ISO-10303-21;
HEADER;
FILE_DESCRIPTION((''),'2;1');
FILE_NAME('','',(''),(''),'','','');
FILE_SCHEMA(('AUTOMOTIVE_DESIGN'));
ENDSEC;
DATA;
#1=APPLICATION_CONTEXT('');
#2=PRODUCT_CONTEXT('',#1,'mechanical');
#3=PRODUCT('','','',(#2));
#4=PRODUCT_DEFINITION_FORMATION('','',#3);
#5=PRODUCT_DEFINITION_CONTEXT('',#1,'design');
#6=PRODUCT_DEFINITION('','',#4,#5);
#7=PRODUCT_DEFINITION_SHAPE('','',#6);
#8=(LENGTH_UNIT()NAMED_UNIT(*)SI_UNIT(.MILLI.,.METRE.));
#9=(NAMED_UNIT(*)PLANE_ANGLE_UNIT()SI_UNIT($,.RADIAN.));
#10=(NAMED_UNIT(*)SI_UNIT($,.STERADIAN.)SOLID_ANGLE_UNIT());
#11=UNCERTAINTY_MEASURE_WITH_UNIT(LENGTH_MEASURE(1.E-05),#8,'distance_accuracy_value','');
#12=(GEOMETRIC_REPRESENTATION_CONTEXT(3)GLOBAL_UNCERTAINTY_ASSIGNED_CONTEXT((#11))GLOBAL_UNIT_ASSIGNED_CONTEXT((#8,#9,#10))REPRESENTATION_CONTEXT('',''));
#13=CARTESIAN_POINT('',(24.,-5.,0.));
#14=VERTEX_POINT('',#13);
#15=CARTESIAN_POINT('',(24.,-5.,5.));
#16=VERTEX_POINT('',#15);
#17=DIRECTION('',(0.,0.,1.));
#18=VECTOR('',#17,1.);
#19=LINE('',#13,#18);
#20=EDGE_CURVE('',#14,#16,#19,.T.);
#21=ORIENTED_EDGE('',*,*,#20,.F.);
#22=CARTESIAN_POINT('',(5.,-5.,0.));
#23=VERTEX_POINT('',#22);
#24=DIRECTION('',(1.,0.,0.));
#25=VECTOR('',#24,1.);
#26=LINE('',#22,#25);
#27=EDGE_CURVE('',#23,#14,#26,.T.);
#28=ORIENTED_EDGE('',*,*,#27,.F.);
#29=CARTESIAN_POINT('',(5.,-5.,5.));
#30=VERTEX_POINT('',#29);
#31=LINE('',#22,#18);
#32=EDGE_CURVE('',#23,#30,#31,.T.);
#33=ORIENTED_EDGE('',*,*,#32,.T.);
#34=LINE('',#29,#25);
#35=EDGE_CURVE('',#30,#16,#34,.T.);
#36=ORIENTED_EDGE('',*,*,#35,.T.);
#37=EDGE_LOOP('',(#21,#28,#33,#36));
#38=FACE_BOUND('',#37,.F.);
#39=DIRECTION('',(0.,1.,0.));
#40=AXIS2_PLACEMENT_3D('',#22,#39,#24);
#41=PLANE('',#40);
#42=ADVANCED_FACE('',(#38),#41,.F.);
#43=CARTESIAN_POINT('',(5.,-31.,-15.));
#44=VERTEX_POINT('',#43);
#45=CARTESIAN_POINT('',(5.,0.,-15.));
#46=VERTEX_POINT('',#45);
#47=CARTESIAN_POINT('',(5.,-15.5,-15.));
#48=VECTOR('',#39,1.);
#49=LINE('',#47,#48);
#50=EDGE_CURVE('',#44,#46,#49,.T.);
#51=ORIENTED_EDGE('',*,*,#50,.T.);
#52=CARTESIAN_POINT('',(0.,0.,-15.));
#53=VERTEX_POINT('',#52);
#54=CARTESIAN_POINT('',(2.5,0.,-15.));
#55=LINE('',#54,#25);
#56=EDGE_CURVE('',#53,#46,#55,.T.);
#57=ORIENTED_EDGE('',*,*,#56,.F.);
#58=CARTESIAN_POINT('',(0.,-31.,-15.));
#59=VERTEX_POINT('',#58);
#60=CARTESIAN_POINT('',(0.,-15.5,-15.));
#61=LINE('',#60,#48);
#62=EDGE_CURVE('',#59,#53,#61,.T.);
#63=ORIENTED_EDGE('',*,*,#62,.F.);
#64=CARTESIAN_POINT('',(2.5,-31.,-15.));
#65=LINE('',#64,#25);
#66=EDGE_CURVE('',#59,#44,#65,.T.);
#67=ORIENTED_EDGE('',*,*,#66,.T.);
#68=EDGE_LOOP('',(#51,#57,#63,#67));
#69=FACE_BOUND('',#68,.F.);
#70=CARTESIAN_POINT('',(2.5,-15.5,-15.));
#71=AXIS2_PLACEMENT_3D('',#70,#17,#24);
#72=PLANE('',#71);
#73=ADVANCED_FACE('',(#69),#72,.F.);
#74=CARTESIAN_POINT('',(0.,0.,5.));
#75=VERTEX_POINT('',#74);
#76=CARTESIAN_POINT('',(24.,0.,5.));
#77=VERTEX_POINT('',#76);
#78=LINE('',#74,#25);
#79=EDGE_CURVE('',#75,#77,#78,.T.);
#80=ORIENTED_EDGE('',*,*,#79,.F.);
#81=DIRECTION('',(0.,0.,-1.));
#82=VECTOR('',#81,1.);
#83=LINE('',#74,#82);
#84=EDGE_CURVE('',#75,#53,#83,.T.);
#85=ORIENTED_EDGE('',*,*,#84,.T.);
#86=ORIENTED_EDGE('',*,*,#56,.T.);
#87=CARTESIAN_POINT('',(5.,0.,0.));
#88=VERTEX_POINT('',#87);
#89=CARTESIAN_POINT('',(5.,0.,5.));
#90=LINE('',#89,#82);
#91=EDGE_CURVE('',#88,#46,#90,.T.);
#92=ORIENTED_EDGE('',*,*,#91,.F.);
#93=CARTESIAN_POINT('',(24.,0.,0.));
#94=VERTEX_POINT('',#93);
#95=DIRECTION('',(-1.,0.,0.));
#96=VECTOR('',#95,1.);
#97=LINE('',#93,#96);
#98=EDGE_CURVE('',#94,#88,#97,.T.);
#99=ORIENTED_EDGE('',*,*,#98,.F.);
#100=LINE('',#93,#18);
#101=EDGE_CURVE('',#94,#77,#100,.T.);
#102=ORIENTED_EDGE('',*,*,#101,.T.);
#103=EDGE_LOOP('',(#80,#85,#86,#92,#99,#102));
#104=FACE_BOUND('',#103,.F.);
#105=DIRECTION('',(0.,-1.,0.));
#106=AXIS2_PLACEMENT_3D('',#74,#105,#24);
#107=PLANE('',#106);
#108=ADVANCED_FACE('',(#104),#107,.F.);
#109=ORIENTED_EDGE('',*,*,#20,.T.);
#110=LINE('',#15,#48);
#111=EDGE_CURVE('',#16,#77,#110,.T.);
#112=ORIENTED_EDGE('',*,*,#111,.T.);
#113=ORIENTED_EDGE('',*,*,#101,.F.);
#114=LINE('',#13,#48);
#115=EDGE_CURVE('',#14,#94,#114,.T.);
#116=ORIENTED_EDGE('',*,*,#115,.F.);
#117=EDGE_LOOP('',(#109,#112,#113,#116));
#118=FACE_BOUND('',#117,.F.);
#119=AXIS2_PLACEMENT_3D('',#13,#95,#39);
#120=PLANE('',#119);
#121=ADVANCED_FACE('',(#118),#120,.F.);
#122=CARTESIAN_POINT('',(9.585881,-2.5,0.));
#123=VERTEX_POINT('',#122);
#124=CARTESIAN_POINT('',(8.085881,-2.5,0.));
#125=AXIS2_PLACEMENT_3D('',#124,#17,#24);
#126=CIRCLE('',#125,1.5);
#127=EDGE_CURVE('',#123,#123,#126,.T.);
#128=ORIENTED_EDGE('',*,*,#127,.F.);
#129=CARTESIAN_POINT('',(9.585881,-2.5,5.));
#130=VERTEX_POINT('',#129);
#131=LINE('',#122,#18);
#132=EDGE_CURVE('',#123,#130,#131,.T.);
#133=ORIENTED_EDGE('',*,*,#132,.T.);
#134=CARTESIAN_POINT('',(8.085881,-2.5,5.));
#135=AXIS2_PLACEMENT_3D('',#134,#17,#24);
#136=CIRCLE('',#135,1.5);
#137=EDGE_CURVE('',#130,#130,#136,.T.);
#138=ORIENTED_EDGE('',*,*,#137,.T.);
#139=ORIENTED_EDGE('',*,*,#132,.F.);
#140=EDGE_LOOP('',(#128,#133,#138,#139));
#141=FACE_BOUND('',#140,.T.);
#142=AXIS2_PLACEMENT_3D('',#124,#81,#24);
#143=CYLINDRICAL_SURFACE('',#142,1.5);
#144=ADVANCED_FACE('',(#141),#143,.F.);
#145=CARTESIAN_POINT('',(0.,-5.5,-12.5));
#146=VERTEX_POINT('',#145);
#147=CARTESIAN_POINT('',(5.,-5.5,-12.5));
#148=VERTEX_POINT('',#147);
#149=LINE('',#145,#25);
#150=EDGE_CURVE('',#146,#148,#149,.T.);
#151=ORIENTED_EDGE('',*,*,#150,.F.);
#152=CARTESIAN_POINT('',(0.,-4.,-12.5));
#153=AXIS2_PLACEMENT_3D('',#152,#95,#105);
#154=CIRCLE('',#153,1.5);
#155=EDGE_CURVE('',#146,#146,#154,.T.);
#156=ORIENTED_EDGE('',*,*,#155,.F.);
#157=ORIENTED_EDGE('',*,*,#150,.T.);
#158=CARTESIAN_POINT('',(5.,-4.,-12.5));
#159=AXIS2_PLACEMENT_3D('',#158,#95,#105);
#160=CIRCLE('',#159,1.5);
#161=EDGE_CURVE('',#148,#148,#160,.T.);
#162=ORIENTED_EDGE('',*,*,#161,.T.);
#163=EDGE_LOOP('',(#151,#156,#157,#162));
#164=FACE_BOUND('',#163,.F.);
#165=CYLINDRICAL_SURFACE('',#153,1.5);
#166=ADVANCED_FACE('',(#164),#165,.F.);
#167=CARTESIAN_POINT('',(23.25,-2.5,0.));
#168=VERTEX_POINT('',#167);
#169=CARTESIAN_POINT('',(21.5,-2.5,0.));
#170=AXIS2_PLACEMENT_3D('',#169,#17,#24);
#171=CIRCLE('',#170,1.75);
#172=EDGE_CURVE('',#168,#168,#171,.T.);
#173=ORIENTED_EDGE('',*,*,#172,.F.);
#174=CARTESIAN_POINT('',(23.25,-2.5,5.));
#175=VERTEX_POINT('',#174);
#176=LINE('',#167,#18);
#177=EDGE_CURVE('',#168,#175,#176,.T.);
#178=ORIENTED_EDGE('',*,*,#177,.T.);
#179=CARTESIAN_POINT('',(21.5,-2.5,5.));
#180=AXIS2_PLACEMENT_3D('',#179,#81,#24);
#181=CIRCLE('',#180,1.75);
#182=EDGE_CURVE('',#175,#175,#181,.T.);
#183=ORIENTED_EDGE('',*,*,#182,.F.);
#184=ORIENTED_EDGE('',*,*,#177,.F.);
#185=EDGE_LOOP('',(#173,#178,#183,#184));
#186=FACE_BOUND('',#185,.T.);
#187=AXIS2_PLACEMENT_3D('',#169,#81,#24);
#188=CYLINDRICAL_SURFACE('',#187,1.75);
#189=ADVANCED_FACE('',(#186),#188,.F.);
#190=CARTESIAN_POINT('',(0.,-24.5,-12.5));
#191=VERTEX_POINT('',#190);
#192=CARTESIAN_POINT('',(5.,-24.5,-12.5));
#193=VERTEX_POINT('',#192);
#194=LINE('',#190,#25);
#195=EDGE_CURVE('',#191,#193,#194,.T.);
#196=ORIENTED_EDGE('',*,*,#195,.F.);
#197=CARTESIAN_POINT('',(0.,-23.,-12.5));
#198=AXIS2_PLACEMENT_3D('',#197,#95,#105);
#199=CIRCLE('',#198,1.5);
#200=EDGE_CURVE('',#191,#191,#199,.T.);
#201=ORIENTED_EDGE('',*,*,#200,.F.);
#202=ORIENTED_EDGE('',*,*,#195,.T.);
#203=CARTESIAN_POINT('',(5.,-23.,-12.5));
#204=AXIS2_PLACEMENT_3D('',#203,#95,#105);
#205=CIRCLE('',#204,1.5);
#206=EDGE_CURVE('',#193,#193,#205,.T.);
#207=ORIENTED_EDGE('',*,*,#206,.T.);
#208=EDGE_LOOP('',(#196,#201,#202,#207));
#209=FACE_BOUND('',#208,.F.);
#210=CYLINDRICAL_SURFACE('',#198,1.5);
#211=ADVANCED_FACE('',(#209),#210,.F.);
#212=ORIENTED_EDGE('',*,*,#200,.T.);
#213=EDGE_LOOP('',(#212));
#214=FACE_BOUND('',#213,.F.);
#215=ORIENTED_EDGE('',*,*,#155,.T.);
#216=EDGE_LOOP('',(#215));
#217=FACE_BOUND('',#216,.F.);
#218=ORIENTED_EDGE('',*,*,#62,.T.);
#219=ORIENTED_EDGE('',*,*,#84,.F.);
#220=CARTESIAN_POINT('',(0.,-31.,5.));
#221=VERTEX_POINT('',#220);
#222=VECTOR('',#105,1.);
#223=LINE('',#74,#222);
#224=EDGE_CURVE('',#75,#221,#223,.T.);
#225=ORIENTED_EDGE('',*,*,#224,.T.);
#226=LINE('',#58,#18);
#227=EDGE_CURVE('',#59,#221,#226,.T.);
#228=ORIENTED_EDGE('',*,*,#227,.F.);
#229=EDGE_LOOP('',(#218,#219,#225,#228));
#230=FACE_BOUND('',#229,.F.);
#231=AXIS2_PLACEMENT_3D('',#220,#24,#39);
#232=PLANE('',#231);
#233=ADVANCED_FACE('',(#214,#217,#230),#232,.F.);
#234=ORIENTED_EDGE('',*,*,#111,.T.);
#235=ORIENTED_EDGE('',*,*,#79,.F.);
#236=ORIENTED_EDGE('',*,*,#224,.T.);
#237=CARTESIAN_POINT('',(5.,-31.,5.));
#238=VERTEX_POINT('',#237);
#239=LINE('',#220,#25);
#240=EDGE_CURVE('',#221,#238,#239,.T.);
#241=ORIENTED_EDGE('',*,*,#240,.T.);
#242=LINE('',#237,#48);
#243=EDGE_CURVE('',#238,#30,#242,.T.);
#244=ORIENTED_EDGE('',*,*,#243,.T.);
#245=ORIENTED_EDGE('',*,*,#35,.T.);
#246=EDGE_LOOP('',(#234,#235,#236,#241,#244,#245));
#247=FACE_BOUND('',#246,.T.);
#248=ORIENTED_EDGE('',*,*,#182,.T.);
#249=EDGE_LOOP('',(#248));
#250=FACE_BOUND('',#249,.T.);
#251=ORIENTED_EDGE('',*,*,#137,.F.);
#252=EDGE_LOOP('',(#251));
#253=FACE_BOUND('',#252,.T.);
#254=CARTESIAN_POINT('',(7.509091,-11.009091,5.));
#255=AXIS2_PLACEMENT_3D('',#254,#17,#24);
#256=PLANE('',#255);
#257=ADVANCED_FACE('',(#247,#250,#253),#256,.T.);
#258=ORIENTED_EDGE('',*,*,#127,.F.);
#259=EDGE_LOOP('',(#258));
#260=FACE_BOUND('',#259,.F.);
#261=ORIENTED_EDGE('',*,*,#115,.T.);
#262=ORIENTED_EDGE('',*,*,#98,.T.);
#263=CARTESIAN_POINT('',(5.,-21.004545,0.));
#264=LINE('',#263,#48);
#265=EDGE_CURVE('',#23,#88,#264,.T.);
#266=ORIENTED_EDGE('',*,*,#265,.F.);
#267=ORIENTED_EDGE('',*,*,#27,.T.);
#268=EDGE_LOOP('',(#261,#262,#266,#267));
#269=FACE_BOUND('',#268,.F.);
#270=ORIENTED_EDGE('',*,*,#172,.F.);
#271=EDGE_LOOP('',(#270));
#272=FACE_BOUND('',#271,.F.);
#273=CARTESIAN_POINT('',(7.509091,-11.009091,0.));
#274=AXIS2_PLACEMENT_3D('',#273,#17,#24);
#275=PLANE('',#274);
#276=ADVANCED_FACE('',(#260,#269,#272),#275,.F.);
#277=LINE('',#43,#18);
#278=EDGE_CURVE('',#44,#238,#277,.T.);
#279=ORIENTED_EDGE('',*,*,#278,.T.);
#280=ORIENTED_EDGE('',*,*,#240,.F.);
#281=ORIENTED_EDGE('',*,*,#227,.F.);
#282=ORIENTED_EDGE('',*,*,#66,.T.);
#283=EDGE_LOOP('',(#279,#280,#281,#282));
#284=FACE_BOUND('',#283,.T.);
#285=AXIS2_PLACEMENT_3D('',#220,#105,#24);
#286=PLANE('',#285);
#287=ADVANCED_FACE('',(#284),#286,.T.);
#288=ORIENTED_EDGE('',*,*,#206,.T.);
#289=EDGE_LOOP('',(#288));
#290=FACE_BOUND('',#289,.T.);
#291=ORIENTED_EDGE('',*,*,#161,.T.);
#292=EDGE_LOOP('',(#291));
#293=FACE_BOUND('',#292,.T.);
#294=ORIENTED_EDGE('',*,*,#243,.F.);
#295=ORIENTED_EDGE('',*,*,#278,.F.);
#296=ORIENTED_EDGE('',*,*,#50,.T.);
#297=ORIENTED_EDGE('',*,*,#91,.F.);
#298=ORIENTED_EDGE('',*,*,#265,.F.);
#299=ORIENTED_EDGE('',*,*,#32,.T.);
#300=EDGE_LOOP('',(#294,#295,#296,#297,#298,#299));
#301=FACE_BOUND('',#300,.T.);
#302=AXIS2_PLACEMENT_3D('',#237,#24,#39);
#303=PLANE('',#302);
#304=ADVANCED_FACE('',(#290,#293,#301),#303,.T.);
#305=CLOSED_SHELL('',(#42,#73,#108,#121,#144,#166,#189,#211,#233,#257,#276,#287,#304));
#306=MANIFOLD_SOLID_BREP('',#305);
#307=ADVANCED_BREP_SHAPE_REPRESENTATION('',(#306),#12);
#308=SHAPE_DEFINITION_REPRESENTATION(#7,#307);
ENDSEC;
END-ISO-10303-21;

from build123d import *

# Parameters (mm, degrees)
F0_R     = 1.5
F1_DEPTH = 5
F2_R     = 1.75
F4_DEPTH = 7
F3_W     = 5
F3_H     = 31
F5_DEPTH = 20
F6_R     = 1.5
F7_DEPTH = 25


with BuildPart() as f1:
    # F0 (on Top) → F1 (new body)
    with BuildSketch(Plane.XY):
        Polygon((24, 0), (0, 0), (0, -31), (5, -31), (5, -5), (24, -5), align=None)
        with Locations((8.085881, -2.5)):
            Circle(F0_R, mode=Mode.SUBTRACT)
    extrude(amount=F1_DEPTH)

    # F2 (on Top) → F4 (cut)
    with BuildSketch(Plane.XY):
        with Locations((21.5, -2.5)):
            Circle(F2_R)
    extrude(amount=F4_DEPTH, mode=Mode.SUBTRACT)

    # F3 (on face) → F5 (join)
    with BuildSketch(Plane.XY.offset(5)):
        with Locations((2.5, -15.5)):
            Rectangle(F3_W, F3_H)
    extrude(amount=-F5_DEPTH)

    # F6 (on face) → F7 (cut)
    with BuildSketch(Plane(origin=(0, 0, 0), x_dir=(0, -1, 0), z_dir=(-1, 0, 0))):
        with Locations((23, -12.5)):
            Circle(F6_R)
        with Locations((4, -12.5)):
            Circle(F6_R)
    extrude(amount=-F7_DEPTH, mode=Mode.SUBTRACT)


solid = f1.part
